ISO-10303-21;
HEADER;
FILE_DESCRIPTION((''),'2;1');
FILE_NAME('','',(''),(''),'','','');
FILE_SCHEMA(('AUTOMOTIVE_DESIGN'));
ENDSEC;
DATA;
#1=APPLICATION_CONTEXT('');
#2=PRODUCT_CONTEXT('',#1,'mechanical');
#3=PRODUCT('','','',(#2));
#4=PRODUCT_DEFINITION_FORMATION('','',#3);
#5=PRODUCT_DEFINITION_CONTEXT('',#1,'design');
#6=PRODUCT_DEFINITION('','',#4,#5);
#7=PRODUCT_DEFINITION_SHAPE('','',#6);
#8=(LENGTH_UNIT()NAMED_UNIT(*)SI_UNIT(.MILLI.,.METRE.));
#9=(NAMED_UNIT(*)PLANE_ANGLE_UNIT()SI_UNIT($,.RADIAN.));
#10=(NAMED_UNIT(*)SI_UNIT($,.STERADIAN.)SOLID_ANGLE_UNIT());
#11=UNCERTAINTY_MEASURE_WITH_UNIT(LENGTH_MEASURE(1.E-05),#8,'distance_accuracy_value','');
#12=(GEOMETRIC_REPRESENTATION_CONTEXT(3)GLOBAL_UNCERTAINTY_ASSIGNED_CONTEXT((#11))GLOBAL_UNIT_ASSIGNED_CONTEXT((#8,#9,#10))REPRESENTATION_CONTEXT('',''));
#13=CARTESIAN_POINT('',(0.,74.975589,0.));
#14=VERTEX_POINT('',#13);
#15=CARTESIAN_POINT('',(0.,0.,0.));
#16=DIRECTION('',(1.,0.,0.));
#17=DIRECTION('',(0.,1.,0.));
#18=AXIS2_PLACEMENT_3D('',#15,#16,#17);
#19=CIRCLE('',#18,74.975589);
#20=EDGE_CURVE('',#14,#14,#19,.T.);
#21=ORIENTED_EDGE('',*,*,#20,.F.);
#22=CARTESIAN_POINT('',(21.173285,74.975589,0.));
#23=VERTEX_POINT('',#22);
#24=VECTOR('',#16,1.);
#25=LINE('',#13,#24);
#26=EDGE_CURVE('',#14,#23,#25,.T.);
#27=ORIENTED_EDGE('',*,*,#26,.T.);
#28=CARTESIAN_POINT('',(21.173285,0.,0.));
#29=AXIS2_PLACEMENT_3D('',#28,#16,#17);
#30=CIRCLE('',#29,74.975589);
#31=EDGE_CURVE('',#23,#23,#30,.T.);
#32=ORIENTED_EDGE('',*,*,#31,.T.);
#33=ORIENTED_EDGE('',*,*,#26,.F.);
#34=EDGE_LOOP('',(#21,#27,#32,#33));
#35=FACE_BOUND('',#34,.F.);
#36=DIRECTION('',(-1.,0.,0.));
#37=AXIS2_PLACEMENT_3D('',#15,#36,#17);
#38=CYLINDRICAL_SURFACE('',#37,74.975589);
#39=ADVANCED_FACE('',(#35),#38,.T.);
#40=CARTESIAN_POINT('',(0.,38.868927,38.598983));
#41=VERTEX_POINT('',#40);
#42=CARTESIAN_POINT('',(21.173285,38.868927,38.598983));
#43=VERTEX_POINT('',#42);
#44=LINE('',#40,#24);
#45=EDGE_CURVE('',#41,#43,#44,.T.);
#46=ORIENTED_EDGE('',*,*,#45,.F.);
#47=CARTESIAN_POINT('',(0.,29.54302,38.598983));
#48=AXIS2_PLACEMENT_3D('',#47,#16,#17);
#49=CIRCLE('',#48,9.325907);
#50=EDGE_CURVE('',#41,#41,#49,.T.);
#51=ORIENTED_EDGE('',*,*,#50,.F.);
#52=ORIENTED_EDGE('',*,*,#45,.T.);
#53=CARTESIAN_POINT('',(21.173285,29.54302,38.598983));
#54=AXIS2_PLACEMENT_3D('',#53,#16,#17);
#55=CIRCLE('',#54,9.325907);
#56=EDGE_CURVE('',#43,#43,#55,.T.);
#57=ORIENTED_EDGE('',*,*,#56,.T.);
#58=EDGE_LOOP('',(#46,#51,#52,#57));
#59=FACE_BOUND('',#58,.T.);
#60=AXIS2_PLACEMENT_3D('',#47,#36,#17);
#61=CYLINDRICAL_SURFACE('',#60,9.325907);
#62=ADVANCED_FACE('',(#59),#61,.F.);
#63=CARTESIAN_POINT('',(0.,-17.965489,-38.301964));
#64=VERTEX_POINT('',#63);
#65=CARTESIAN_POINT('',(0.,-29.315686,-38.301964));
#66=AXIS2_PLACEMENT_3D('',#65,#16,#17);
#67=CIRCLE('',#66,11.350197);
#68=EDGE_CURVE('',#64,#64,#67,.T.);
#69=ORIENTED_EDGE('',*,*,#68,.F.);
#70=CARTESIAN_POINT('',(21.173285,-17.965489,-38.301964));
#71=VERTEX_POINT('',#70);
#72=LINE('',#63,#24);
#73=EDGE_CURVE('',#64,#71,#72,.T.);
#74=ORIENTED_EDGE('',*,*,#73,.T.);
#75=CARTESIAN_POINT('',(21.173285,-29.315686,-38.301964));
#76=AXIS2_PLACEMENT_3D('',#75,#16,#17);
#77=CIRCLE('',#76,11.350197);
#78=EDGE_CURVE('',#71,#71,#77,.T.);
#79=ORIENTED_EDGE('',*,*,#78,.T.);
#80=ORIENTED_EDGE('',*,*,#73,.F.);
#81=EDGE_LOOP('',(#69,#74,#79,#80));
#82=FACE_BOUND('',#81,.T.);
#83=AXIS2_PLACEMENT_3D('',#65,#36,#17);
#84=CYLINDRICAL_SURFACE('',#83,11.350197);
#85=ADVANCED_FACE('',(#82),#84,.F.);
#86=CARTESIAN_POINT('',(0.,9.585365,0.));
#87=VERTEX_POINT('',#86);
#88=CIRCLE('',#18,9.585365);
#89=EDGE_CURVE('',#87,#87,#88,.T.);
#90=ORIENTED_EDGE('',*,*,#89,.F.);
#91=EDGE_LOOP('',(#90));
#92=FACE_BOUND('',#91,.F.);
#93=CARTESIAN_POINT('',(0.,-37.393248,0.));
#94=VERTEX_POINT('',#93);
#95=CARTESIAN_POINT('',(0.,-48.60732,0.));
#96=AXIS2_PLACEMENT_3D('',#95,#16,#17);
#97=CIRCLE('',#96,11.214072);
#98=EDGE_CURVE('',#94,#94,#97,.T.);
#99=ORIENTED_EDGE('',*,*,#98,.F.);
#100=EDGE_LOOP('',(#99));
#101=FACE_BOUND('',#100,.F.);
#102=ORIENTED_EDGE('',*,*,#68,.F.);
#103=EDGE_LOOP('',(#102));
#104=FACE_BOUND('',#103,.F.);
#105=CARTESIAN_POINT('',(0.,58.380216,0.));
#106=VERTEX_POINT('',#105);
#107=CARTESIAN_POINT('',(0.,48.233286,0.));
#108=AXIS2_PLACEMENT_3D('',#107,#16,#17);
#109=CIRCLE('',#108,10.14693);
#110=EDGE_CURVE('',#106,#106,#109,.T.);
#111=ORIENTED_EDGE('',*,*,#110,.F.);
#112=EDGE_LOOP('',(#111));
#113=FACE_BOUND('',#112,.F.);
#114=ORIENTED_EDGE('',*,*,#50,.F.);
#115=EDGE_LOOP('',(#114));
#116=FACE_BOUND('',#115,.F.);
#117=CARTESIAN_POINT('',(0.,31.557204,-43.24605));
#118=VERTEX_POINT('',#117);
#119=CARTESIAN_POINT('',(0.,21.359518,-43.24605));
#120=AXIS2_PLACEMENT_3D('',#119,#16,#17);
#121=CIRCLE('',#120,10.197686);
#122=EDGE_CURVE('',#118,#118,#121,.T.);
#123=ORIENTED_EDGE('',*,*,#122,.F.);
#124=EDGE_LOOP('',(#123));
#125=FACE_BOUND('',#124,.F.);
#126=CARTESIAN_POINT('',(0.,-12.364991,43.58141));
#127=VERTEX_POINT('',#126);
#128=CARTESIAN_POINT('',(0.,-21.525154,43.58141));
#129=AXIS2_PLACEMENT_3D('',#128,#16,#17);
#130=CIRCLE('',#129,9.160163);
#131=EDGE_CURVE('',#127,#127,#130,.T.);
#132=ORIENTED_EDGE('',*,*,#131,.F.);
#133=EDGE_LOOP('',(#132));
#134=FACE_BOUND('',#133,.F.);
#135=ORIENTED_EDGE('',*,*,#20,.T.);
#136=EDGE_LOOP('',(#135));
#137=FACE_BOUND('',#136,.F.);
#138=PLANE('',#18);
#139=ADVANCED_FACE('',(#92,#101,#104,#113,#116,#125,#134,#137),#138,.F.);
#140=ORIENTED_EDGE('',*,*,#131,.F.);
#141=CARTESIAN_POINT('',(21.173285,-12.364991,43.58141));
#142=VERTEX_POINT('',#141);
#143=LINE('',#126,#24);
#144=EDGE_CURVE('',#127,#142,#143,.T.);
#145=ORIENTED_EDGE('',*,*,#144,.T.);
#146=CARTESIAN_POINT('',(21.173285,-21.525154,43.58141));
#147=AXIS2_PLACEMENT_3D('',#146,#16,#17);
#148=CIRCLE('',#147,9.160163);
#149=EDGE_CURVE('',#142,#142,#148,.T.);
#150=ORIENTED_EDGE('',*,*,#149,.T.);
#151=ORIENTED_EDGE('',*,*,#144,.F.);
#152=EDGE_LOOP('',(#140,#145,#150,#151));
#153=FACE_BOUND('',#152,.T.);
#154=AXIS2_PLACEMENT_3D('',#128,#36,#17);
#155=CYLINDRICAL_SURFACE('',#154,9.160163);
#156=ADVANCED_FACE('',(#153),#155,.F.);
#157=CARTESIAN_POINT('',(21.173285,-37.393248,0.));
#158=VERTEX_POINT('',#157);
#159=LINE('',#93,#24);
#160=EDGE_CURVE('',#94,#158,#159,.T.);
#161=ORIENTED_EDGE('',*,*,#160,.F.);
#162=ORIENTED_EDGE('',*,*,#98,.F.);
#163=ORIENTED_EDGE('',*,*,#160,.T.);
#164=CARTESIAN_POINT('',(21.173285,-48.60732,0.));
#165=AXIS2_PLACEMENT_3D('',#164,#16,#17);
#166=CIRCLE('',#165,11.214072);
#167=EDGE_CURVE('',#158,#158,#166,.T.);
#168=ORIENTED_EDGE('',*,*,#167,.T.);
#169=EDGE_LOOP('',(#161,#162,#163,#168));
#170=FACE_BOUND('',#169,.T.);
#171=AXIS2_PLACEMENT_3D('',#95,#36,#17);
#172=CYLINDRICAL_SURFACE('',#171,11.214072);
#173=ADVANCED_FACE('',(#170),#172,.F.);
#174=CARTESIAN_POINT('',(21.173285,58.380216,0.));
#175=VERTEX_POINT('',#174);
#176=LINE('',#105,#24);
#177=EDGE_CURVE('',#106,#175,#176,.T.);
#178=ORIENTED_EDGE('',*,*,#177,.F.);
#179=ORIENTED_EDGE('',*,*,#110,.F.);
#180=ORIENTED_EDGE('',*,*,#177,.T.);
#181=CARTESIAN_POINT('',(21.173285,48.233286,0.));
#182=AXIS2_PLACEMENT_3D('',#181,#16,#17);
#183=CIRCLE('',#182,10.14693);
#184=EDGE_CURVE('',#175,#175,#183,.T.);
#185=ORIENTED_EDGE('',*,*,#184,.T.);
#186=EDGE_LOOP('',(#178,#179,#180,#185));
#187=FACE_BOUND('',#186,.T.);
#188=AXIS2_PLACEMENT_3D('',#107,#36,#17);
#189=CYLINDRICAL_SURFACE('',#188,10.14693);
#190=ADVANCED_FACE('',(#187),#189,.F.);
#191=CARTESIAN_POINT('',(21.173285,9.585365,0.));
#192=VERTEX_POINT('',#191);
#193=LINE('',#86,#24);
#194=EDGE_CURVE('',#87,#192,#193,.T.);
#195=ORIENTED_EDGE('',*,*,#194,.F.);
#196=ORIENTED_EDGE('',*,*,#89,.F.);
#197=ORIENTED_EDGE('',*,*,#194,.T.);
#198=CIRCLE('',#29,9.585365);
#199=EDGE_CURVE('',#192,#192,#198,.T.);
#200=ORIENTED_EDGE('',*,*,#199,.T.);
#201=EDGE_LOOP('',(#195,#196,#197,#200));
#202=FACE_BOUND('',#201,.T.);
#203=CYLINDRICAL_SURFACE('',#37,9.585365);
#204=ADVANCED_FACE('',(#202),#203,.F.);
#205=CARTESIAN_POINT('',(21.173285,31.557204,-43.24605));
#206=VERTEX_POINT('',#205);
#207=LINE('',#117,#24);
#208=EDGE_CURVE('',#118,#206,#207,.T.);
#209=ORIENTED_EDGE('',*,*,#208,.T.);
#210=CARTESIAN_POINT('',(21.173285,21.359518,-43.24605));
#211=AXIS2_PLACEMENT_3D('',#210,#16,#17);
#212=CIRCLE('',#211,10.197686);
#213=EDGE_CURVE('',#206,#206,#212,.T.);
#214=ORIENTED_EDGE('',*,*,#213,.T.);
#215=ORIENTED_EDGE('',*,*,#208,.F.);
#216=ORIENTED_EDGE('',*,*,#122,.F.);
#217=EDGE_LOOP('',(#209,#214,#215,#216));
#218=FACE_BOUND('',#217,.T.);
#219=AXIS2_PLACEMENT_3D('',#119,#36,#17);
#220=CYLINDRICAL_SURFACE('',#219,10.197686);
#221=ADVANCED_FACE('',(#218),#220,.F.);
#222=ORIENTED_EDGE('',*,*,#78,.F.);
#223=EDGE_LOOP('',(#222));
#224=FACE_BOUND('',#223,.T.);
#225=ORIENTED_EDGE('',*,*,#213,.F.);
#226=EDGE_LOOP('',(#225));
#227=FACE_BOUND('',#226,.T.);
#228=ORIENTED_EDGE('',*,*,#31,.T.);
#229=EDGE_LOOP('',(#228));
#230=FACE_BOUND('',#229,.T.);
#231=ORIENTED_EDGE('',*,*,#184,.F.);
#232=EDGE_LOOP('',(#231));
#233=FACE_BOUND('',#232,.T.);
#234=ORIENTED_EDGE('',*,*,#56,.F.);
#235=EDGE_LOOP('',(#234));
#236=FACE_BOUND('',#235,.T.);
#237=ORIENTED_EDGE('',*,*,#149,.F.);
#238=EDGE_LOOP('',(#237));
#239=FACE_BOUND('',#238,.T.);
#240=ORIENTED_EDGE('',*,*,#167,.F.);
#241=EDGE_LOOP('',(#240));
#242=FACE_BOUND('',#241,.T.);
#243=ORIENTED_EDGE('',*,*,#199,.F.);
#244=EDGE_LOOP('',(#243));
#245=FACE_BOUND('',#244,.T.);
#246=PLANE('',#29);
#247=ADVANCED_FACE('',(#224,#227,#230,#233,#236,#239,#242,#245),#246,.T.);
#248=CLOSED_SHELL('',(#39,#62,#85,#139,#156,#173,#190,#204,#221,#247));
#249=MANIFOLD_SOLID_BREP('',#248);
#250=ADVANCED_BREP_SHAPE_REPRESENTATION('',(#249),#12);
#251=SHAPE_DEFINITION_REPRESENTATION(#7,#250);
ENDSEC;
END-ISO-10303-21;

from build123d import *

# Parameters (mm, degrees)
F0_R     = 74.975589
F0_R_2   = 11.350197
F0_R_3   = 11.214072
F0_R_4   = 9.585365
F0_R_5   = 10.197686
F0_R_6   = 10.14693
F0_R_7   = 9.160163
F0_R_8   = 9.325907
F1_DEPTH = 21.173285


with BuildPart() as f1:
    # F0 (on Right) → F1 (new body)
    with BuildSketch(Plane.YZ):
        Circle(F0_R)
        with Locations((-29.315686, -38.301964)):
            Circle(F0_R_2, mode=Mode.SUBTRACT)
        with Locations((-48.60732, 0)):
            Circle(F0_R_3, mode=Mode.SUBTRACT)
        Circle(F0_R_4, mode=Mode.SUBTRACT)
        with Locations((21.359518, -43.24605)):
            Circle(F0_R_5, mode=Mode.SUBTRACT)
        with Locations((48.233286, 0)):
            Circle(F0_R_6, mode=Mode.SUBTRACT)
        with Locations((-21.525154, 43.58141)):
            Circle(F0_R_7, mode=Mode.SUBTRACT)
        with Locations((29.54302, 38.598983)):
            Circle(F0_R_8, mode=Mode.SUBTRACT)
    extrude(amount=F1_DEPTH)


solid = f1.part
